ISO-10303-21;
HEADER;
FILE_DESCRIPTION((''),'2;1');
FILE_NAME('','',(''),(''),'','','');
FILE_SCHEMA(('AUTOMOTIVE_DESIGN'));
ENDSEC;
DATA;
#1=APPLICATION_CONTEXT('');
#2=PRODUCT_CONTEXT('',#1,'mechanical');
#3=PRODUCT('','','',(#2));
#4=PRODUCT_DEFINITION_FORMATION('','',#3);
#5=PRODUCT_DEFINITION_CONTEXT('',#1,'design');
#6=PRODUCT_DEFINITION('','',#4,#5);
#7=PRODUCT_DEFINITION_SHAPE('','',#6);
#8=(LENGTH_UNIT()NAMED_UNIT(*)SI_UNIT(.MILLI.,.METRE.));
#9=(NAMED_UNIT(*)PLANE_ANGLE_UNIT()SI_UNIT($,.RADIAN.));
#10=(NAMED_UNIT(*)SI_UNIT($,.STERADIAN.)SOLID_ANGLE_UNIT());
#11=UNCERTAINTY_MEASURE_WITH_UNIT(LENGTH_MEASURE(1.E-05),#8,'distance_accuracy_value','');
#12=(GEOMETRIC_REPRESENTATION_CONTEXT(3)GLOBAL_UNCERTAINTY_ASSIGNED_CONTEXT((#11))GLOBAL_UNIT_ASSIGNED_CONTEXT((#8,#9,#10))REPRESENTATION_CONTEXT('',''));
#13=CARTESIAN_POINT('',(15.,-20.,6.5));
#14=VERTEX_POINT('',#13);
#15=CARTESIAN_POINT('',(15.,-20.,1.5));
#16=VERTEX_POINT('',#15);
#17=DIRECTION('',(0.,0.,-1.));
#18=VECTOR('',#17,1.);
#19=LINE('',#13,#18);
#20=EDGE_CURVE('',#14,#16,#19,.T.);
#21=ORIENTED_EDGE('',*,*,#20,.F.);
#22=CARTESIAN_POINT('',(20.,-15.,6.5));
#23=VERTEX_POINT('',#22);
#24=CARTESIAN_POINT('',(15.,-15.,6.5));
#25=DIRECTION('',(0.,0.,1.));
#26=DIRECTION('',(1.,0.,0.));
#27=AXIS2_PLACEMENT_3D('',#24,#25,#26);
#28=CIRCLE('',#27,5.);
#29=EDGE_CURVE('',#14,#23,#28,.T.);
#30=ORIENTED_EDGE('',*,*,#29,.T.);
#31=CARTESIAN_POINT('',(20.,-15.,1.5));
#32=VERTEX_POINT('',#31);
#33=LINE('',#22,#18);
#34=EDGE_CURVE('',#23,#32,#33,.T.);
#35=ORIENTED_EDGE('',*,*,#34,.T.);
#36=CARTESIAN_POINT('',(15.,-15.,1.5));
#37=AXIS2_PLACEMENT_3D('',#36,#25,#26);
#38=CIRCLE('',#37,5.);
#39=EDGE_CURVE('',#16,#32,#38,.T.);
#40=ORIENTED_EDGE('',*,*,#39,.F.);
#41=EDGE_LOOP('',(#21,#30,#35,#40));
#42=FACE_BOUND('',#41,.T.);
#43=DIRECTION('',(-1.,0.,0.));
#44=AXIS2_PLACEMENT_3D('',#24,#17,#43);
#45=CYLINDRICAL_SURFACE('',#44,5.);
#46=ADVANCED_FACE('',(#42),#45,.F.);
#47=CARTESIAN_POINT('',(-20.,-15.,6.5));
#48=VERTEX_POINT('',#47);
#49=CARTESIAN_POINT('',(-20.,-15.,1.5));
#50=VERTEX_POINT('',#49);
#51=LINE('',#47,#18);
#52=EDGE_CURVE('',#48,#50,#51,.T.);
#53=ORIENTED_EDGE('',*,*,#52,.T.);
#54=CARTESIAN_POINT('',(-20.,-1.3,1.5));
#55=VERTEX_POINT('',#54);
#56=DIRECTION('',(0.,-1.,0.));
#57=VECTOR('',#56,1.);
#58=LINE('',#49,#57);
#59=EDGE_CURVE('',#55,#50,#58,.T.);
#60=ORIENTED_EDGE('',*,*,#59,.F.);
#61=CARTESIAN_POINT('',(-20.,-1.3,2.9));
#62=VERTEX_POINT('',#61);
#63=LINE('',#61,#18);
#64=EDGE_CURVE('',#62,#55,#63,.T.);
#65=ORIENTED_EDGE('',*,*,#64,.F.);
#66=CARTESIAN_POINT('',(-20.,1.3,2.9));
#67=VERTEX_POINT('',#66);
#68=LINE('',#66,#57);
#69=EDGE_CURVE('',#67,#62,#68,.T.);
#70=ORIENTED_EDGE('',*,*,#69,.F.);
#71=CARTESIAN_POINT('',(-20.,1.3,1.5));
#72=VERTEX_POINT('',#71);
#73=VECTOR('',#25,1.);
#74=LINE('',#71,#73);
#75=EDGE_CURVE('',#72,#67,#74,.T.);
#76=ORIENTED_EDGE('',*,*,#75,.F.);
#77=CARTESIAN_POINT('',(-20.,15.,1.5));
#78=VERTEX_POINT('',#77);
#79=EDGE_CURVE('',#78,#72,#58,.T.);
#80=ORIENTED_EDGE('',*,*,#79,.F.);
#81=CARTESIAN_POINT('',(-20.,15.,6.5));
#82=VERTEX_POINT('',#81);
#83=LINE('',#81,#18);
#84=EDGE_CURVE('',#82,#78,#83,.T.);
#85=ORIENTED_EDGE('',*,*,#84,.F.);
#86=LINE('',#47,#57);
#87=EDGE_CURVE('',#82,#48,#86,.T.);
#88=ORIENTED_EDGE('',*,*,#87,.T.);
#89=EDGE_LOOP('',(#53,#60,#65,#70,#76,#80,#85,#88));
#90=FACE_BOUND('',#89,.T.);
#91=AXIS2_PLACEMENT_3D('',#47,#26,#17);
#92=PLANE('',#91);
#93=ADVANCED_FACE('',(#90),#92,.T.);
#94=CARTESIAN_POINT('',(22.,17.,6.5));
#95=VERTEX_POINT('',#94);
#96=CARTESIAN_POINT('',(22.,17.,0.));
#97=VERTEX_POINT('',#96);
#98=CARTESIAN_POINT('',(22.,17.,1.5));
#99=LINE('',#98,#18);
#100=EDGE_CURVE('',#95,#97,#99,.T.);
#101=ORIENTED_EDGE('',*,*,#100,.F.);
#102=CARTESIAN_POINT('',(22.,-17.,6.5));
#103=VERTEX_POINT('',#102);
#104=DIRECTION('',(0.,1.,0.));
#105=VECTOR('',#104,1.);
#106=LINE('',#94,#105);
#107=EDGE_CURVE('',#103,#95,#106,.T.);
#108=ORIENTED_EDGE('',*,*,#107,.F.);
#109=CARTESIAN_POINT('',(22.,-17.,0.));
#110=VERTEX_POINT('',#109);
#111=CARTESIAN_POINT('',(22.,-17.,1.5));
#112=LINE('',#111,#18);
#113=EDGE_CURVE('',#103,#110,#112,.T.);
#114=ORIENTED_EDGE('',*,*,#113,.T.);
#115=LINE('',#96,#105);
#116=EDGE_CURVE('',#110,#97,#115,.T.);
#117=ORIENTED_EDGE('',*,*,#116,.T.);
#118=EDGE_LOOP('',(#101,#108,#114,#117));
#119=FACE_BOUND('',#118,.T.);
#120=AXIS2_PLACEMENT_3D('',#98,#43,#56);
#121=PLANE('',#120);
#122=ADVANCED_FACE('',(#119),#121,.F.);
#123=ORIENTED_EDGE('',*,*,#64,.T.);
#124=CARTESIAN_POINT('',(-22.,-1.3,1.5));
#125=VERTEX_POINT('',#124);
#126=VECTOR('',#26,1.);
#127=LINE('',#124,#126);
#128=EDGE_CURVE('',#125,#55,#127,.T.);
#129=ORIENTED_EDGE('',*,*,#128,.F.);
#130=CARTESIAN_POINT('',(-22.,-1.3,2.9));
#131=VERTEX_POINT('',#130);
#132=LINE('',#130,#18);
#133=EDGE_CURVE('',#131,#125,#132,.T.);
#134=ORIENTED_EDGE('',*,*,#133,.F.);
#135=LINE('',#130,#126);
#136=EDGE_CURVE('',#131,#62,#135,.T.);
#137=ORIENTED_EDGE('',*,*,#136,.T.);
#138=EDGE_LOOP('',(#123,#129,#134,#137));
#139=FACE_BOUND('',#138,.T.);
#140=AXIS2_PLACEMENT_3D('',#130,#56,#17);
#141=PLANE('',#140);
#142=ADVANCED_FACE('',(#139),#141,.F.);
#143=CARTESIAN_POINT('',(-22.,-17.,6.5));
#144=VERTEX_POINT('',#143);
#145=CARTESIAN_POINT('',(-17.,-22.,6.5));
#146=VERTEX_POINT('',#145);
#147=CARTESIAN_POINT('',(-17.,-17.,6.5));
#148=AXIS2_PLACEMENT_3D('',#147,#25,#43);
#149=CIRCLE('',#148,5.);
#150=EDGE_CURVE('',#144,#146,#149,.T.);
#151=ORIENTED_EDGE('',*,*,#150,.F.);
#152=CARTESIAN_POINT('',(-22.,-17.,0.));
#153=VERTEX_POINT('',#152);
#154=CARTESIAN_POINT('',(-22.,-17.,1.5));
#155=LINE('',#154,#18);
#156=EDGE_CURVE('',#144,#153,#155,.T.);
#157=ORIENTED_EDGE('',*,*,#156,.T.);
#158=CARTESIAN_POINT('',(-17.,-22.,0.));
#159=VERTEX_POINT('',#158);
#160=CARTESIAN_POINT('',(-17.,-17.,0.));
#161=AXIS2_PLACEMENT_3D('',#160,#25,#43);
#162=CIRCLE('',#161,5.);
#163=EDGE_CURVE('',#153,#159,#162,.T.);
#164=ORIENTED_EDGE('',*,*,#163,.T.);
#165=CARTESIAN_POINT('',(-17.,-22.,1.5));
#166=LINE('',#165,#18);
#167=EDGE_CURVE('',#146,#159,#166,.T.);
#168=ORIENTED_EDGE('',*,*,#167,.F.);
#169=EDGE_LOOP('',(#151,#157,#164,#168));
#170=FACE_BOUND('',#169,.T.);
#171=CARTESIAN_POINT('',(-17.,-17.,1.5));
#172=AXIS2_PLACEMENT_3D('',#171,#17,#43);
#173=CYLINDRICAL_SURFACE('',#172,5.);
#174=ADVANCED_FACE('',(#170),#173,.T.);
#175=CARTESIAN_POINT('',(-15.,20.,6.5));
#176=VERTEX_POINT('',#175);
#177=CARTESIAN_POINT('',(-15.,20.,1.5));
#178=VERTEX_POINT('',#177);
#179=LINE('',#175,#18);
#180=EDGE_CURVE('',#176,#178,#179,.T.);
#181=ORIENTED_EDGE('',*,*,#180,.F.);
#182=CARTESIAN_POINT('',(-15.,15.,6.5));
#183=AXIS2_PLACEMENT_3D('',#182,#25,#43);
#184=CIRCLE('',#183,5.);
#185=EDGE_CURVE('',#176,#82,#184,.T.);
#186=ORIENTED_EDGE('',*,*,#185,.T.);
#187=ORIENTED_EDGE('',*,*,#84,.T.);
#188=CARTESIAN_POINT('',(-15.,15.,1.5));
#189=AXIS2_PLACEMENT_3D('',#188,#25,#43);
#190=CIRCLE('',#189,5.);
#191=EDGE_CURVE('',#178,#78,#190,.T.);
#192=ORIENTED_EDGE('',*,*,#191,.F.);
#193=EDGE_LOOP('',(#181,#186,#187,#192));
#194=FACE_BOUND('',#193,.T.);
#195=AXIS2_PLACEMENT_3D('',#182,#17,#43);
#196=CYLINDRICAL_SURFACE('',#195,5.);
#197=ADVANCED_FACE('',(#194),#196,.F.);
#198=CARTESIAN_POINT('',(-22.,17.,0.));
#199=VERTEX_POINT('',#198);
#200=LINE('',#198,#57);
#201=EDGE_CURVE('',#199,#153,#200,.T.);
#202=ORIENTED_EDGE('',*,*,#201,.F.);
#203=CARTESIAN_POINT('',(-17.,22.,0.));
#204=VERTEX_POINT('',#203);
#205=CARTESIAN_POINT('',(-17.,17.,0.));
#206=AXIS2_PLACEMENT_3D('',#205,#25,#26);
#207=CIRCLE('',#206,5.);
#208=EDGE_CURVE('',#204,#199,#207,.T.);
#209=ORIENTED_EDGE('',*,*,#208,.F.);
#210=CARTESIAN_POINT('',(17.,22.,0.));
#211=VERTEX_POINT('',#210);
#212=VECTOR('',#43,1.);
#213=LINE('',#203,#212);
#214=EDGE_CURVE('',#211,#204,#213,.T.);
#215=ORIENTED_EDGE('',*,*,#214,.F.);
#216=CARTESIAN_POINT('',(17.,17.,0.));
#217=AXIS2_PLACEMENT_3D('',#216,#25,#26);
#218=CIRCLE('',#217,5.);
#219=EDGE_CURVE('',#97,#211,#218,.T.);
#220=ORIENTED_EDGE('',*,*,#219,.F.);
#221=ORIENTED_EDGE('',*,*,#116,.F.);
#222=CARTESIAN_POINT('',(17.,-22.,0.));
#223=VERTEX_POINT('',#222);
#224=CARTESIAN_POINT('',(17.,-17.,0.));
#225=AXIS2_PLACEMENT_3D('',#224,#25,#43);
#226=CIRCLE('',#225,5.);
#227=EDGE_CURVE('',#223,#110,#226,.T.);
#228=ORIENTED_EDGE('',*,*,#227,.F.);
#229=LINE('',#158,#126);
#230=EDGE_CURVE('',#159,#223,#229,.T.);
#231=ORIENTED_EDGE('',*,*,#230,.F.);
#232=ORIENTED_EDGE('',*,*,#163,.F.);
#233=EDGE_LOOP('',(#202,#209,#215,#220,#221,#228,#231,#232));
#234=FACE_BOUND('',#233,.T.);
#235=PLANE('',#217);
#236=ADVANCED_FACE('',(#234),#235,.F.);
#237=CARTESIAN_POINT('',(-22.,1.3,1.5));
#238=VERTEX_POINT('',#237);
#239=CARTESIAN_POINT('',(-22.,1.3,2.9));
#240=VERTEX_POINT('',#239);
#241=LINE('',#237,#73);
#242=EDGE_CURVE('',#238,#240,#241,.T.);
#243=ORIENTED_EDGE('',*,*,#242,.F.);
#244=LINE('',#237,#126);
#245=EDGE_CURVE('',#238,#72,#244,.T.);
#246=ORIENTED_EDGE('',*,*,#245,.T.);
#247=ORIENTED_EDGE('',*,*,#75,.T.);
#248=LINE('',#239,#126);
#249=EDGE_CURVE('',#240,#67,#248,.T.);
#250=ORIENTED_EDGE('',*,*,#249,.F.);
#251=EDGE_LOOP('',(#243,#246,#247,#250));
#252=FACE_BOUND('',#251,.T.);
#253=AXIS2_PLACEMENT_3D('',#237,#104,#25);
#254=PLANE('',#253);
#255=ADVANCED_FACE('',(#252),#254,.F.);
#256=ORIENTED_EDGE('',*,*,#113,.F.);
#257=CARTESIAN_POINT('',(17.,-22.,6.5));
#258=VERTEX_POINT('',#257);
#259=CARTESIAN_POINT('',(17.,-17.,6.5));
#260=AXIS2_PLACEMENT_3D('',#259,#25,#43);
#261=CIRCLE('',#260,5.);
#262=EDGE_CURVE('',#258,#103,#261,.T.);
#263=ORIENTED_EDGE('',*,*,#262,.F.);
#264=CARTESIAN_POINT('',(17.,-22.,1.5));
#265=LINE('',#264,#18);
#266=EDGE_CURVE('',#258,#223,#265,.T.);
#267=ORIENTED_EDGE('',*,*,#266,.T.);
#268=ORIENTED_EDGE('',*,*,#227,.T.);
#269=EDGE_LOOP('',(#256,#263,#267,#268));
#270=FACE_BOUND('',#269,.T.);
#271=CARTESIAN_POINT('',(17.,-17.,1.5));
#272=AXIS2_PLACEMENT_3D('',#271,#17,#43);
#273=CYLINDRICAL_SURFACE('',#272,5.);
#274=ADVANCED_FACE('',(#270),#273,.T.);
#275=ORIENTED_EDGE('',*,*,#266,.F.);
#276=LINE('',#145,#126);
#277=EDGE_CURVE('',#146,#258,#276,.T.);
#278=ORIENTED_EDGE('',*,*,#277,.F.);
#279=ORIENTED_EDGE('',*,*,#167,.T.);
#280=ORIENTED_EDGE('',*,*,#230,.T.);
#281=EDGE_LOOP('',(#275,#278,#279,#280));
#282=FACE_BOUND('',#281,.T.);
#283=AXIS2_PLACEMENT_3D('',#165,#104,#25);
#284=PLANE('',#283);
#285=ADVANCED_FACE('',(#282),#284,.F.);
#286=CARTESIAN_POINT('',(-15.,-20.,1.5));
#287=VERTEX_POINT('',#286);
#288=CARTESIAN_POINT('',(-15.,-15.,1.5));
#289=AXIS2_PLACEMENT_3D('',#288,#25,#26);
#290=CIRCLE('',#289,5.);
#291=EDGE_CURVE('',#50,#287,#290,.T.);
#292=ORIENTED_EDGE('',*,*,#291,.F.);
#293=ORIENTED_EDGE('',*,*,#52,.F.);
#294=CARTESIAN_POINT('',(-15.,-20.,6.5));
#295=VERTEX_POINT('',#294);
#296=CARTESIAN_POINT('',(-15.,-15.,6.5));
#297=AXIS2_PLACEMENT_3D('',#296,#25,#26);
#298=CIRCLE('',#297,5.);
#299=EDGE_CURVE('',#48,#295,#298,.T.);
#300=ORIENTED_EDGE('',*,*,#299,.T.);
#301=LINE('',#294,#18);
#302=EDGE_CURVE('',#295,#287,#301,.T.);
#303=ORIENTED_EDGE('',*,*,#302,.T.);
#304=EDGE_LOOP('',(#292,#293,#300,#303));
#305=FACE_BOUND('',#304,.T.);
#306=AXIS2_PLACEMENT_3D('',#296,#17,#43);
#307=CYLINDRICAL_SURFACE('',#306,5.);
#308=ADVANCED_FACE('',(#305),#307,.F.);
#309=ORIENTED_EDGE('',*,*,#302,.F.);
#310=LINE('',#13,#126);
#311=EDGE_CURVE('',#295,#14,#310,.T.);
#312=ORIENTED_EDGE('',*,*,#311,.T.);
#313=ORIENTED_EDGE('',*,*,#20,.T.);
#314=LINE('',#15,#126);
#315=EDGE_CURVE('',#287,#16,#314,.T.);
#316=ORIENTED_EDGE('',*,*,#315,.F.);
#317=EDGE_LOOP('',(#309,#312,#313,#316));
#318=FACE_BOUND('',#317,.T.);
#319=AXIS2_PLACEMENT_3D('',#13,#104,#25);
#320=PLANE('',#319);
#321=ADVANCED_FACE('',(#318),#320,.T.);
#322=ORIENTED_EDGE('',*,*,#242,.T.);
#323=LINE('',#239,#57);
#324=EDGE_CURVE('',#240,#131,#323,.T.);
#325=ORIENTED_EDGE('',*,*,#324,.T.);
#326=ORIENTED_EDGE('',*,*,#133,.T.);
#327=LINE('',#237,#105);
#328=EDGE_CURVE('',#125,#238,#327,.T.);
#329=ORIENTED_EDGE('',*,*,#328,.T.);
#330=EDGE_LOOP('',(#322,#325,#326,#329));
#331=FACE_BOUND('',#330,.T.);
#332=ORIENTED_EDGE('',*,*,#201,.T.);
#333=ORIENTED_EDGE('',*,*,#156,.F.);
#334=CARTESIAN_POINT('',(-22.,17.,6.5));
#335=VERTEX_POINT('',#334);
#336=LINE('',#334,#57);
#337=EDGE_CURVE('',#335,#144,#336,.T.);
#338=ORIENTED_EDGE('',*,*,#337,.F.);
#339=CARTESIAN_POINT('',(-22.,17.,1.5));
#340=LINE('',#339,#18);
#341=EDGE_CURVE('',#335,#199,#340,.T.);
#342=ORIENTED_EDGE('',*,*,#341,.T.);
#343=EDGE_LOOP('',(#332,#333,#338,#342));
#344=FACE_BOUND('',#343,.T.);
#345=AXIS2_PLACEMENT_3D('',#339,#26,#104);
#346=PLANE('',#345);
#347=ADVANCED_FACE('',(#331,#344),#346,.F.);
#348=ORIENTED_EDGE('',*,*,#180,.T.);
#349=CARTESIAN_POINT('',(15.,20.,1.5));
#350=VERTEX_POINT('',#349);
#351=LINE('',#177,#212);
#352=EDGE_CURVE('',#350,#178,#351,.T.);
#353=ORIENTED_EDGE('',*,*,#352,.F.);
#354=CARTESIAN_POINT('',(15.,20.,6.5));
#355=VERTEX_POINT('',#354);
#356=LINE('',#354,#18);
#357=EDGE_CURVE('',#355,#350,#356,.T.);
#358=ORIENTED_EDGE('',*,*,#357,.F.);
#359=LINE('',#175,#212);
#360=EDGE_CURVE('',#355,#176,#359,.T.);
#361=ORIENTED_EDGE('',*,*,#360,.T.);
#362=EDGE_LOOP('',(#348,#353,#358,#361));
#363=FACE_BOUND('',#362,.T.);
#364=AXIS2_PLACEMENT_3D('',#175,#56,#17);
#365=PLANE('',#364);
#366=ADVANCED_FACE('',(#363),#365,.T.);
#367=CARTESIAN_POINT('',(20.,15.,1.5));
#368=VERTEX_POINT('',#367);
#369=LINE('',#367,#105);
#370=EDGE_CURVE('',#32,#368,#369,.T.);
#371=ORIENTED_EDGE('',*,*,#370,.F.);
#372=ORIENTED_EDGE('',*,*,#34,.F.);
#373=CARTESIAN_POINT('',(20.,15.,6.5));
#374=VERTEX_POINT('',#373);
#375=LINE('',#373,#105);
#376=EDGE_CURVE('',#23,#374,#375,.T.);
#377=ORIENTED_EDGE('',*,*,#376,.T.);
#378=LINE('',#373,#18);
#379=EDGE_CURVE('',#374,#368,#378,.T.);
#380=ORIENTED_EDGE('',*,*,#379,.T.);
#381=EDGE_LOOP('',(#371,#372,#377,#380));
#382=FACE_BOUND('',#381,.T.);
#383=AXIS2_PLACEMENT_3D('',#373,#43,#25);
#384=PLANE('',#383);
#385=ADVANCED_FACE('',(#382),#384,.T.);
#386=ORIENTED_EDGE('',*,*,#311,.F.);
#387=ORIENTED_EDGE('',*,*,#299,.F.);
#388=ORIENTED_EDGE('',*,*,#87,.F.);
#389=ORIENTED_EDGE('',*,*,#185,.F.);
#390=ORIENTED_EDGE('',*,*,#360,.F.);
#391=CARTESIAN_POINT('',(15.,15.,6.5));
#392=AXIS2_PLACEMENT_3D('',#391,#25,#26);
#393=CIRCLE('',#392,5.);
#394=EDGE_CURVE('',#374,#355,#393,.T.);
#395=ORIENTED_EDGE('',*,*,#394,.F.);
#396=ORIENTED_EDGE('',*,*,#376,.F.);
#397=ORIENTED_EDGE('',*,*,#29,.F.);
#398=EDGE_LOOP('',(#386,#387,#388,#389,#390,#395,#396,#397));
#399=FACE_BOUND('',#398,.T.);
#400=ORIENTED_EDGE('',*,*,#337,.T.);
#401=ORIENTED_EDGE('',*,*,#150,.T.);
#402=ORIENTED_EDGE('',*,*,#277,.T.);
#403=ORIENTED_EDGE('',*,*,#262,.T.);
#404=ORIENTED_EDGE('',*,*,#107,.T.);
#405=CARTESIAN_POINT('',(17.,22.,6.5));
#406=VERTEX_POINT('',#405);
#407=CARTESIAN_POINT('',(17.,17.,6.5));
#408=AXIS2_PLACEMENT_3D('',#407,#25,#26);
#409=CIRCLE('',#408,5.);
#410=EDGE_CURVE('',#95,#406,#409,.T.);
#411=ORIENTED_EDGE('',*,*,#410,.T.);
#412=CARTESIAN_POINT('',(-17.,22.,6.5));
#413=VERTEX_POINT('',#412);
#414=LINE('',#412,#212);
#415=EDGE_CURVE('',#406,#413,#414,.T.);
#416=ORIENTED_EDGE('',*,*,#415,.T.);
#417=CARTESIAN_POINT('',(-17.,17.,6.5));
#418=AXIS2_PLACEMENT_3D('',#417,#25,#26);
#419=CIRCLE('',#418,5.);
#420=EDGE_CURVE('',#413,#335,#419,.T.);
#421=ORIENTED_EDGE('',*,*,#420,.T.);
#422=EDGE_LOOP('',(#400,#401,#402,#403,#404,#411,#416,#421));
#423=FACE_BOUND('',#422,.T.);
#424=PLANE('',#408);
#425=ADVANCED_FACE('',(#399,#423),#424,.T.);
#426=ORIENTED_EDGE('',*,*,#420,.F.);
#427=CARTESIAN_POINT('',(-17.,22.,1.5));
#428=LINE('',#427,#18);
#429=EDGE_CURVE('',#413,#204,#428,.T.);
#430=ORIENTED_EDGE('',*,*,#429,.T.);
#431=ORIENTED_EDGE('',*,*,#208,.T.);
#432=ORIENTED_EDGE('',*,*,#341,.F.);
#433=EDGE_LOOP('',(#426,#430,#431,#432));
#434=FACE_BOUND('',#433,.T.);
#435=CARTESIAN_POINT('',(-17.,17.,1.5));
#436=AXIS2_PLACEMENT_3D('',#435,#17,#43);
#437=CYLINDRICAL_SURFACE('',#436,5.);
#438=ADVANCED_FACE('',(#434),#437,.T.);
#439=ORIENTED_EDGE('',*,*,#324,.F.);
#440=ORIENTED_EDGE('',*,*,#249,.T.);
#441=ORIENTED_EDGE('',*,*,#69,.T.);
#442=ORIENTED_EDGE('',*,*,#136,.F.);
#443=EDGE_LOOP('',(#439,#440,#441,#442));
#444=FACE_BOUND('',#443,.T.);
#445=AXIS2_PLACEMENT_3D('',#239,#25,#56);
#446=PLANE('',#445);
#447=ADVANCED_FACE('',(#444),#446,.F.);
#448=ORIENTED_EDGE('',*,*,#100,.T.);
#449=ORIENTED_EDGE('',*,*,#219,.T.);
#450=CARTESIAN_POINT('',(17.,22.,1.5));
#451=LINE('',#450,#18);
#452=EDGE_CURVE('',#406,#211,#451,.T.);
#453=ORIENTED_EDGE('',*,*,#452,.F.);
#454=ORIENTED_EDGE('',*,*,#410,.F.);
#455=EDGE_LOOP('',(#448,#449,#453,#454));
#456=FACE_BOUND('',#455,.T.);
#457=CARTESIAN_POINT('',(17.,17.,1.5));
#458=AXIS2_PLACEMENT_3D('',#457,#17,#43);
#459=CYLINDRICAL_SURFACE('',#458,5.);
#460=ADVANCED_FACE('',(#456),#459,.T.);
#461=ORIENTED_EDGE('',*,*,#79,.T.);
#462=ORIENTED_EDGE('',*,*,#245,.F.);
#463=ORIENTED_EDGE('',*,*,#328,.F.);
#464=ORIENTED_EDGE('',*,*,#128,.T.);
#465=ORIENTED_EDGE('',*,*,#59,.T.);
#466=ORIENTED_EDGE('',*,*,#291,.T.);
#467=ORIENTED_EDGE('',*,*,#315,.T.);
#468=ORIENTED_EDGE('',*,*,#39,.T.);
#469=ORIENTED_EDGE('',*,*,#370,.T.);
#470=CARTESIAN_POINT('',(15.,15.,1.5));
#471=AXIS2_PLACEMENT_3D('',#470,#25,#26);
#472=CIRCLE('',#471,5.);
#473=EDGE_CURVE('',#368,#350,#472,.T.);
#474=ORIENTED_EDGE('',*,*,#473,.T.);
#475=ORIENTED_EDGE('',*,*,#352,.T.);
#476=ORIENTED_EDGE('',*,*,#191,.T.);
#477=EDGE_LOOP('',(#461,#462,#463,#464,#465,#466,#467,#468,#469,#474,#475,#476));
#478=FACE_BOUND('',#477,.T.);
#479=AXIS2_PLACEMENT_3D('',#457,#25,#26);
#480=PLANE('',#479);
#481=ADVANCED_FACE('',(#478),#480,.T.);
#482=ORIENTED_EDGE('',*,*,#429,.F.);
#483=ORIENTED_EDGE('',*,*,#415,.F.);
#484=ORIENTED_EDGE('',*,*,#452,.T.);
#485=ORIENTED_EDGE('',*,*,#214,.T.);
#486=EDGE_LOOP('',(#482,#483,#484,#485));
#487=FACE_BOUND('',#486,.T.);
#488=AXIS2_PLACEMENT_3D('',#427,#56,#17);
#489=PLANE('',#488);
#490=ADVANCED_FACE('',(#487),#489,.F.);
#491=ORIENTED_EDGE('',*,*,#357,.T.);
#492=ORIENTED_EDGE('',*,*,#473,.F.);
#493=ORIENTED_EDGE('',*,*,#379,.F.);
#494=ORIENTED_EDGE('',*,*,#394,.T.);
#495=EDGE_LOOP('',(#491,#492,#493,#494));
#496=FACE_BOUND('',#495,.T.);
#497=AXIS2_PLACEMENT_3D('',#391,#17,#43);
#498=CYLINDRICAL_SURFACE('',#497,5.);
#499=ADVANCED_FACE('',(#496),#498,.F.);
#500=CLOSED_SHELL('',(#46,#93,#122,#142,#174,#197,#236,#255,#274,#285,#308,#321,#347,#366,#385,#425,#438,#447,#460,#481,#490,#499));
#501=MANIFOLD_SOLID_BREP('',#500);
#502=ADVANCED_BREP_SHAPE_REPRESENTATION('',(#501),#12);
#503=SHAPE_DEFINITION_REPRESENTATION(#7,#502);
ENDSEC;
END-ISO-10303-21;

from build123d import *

# Parameters (mm, degrees)
EXTRUDE_1_DEPTH     = 1.5
EXTRUDE_2_DEPTH     = 5
SKETCH_5_W          = 1.4
SKETCH_5_H          = 2.6
CUT_EXTRUDE_1_DEPTH = 48.8565565


with BuildPart() as part:
    # 草图1 → 凸台-拉伸1 (new body)
    with BuildSketch(Plane.XY):
        with BuildLine():
            Line((-17, 22), (17, 22))
            ThreePointArc((17, 22), (20.535533906, 20.535533906), (22, 17))
            Line((22, 17), (22, -17))
            ThreePointArc((22, -17), (20.535533906, -20.535533906), (17, -22))
            Line((17, -22), (-17, -22))
            ThreePointArc((-17, -22), (-20.535533906, -20.535533906), (-22, -17))
            Line((-22, -17), (-22, 17))
            ThreePointArc((-22, 17), (-20.535533906, 20.535533906), (-17, 22))
        make_face()
    extrude(amount=EXTRUDE_1_DEPTH)

    # 草图2 → 凸台-拉伸2 (add)
    with BuildSketch(Plane.XY.offset(1.5)):
        with BuildLine():
            Line((-17, 22), (17, 22))
            ThreePointArc((17, 22), (20.535533906, 20.535533906), (22, 17))
            Line((22, 17), (22, -17))
            ThreePointArc((22, -17), (20.535533906, -20.535533906), (17, -22))
            Line((17, -22), (-17, -22))
            ThreePointArc((-17, -22), (-20.535533906, -20.535533906), (-22, -17))
            Line((-22, -17), (-22, 17))
            ThreePointArc((-22, 17), (-20.535533906, 20.535533906), (-17, 22))
        make_face()
        with BuildLine():
            Line((-15, 20), (15, 20))
            ThreePointArc((15, 20), (18.535533906, 18.535533906), (20, 15))
            Line((20, 15), (20, -15))
            ThreePointArc((20, -15), (18.535533906, -18.535533906), (15, -20))
            Line((15, -20), (-15, -20))
            ThreePointArc((-15, -20), (-18.535533906, -18.535533906), (-20, -15))
            Line((-20, -15), (-20, 15))
            ThreePointArc((-20, 15), (-18.535533906, 18.535533906), (-15, 20))
        make_face(mode=Mode.SUBTRACT)
    extrude(amount=EXTRUDE_2_DEPTH)

    # 草图5 → 切除-拉伸1 (cut, through all)
    with BuildSketch(Plane(origin=(-20, 0, 0), x_dir=(0, 0, -1), z_dir=(1, 0, 0))):
        with Locations((-2.2, 0)):
            Rectangle(SKETCH_5_W, SKETCH_5_H)
    extrude(amount=-CUT_EXTRUDE_1_DEPTH, mode=Mode.SUBTRACT)


solid = part.part
